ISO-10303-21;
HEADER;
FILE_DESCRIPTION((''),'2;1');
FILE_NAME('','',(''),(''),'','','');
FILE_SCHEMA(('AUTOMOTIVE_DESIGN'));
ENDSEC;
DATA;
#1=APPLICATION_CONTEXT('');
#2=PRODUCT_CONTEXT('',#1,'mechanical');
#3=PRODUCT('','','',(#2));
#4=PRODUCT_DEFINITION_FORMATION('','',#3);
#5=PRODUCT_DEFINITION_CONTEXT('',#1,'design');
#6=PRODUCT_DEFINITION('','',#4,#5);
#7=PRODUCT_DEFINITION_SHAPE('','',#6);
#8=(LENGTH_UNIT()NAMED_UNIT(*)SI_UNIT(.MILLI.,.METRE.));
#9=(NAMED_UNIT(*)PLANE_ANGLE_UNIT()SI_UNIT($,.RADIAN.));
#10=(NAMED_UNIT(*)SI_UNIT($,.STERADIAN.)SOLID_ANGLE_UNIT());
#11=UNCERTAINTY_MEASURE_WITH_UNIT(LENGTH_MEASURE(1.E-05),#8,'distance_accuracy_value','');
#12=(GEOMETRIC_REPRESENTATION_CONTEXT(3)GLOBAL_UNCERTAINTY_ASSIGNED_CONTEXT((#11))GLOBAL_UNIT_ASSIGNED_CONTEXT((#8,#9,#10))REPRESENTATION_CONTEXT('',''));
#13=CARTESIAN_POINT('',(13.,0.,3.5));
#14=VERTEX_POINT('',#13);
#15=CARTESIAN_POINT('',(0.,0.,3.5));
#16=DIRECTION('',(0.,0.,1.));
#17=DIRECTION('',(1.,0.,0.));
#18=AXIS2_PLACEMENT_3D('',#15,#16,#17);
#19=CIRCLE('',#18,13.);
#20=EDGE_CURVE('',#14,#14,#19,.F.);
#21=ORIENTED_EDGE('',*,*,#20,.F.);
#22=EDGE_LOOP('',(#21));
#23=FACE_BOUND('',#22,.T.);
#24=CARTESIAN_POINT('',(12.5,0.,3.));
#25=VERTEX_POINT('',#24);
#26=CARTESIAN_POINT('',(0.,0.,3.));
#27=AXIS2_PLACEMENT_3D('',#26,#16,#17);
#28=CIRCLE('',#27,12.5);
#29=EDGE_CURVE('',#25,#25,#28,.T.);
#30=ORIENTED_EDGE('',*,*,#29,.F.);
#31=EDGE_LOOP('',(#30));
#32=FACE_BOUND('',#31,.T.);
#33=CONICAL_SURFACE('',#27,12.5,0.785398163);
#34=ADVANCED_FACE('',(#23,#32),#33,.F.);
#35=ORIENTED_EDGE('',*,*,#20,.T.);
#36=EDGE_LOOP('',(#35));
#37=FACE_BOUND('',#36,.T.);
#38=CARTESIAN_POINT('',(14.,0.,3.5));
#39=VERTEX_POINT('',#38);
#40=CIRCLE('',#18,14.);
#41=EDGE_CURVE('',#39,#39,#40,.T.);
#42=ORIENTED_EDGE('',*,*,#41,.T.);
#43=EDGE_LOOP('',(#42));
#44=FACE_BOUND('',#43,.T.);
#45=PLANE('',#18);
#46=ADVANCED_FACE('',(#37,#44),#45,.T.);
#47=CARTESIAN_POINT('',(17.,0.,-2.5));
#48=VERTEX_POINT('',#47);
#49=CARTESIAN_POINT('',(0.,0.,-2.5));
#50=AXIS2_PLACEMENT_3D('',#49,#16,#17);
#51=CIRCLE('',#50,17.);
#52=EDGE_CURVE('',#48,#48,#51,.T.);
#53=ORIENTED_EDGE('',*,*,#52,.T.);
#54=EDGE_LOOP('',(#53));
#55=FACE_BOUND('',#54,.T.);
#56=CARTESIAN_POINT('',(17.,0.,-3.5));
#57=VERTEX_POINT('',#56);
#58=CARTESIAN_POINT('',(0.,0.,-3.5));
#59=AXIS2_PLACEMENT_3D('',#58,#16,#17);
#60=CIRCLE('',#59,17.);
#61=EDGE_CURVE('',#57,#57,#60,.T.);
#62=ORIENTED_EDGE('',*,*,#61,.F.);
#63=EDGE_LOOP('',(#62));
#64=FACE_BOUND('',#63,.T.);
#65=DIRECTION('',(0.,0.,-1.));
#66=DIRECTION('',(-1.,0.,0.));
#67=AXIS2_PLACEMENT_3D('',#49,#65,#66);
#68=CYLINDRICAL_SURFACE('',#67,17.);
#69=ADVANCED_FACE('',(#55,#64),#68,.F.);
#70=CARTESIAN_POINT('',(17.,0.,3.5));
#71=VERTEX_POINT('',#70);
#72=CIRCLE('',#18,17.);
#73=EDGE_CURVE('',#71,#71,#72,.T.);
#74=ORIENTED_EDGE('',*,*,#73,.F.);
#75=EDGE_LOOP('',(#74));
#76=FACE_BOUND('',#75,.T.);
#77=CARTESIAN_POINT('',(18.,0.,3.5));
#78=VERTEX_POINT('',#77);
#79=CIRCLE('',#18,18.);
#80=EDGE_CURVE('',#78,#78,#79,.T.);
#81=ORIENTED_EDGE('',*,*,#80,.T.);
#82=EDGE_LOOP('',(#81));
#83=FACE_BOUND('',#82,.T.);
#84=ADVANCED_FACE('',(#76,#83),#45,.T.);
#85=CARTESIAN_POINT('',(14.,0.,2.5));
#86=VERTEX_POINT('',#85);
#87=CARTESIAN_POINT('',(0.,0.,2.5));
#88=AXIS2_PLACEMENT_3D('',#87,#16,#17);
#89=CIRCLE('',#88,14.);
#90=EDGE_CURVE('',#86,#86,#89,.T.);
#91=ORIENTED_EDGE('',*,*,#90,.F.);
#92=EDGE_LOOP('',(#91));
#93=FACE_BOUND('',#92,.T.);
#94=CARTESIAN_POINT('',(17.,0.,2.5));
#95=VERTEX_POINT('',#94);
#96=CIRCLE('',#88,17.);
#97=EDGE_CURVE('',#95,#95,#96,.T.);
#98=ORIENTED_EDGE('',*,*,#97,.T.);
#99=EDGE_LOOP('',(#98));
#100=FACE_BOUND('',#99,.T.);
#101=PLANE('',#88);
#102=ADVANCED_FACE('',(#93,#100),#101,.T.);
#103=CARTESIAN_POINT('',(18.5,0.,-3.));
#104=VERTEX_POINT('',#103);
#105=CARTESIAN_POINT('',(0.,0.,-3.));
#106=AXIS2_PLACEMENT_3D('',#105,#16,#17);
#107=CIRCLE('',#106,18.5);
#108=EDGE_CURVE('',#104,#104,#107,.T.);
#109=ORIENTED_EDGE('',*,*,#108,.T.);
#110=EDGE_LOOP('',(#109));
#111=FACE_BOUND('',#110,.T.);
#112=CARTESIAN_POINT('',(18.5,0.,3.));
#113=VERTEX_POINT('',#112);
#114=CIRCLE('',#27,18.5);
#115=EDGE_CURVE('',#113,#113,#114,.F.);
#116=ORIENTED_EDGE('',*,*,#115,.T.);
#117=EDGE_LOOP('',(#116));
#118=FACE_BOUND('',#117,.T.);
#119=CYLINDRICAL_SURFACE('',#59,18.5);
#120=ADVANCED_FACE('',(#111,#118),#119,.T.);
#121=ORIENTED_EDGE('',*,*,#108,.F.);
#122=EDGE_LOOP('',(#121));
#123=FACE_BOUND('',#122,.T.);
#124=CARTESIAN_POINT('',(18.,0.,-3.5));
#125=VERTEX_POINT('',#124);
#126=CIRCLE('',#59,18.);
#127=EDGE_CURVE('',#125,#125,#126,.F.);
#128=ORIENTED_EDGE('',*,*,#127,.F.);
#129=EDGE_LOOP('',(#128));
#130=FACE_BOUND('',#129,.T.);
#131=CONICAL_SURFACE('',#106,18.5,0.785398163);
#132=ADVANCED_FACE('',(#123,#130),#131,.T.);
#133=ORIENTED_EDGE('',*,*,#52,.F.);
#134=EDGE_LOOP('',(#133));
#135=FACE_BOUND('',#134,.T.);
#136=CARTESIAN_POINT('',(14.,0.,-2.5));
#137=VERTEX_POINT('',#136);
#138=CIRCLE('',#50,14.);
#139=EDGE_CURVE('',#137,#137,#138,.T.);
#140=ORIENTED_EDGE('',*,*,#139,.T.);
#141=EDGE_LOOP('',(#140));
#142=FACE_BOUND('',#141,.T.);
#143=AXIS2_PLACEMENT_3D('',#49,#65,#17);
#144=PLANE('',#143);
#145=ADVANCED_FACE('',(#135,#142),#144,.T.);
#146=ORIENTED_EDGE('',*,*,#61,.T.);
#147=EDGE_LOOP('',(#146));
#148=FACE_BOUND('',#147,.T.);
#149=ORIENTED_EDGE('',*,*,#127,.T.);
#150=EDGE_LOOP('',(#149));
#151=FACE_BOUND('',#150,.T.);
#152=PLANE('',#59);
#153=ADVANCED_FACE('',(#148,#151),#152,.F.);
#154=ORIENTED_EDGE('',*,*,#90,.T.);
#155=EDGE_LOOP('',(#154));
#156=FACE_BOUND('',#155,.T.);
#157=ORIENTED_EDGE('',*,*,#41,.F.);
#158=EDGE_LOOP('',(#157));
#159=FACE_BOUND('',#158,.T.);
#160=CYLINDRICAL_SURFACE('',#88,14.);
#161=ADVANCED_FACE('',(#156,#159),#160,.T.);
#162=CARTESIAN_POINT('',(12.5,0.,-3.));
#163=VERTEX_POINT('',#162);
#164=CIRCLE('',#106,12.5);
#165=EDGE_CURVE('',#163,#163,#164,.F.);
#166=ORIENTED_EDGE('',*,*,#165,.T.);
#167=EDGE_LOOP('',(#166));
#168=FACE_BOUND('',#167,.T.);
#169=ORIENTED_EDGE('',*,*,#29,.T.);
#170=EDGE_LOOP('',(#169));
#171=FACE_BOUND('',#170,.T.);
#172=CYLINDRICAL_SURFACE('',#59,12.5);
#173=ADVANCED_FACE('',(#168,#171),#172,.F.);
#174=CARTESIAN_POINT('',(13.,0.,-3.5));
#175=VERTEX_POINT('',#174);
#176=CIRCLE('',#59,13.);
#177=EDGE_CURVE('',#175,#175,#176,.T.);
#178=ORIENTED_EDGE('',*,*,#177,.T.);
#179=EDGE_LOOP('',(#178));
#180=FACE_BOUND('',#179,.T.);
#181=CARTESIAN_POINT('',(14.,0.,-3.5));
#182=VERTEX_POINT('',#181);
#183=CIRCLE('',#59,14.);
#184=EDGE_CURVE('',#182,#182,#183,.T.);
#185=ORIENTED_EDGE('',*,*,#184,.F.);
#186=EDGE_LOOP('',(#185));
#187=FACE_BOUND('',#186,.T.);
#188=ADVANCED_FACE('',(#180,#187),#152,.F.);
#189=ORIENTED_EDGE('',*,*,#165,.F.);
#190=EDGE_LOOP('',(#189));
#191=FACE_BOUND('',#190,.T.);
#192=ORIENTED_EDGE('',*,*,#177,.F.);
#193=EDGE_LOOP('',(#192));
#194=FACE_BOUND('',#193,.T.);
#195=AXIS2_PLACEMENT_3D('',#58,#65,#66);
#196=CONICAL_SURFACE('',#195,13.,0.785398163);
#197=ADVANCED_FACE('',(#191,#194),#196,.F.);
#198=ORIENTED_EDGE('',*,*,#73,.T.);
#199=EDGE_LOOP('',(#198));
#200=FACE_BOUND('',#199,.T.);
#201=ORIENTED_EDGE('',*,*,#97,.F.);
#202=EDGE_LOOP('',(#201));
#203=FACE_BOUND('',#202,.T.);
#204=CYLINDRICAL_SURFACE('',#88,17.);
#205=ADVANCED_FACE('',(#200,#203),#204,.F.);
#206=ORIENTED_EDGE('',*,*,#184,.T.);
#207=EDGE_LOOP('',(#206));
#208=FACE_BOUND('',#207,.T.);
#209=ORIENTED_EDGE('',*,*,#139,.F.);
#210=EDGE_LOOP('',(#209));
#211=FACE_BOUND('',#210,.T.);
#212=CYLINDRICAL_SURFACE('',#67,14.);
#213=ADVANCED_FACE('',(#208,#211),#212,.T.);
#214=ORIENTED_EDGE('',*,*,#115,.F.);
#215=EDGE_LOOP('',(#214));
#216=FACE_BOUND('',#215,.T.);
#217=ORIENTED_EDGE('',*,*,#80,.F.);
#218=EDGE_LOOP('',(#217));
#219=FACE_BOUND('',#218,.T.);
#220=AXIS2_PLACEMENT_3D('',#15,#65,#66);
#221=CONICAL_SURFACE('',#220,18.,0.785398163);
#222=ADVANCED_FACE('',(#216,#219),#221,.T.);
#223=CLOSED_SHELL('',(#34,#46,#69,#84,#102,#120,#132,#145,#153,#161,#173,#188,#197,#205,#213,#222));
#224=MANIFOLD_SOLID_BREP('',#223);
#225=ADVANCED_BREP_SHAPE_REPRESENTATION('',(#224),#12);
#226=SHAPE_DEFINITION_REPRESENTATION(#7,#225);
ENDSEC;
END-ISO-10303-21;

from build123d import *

# Parameters (mm, degrees)
AUFSATZ_LINEAR_AUSTRAGEN1_DEPTH      = 3.5
AUFSATZ_LINEAR_AUSTRAGEN1_DEPTH_BACK = 3.5
SKIZZE1_R                            = 18.5
SKIZZE1_R_2                          = 12.5
SKIZZE2_R                            = 17
SKIZZE2_R_2                          = 14
SCHNITT_LINEAR_AUSTRAGEN1_DEPTH      = 1
FASE1_SIZE                           = 0.5


with BuildPart() as part:
    # Skizze1 → Aufsatz-Linear austragen1 (new, two sides: drawn at the far end of the back side and taken through both)
    with BuildSketch(Plane.XY.offset(-AUFSATZ_LINEAR_AUSTRAGEN1_DEPTH_BACK)):
        Circle(SKIZZE1_R)
        Circle(SKIZZE1_R_2, mode=Mode.SUBTRACT)
    extrude(amount=AUFSATZ_LINEAR_AUSTRAGEN1_DEPTH + AUFSATZ_LINEAR_AUSTRAGEN1_DEPTH_BACK)

    # Skizze2 → Schnitt-Linear austragen1 (cut)
    with BuildSketch(Plane.XY.offset(3.5)):
        Circle(SKIZZE2_R)
        Circle(SKIZZE2_R_2, mode=Mode.SUBTRACT)
    schnitt_linear_austragen1 = extrude(amount=-SCHNITT_LINEAR_AUSTRAGEN1_DEPTH, mode=Mode.SUBTRACT)

    # Spiegeln1: Schnitt-Linear austragen1 across plane
    add(schnitt_linear_austragen1.mirror(Plane.XY), mode=Mode.SUBTRACT)

    # Fase1
    fase1_edges = [part.edges().sort_by_distance(p)[0] for p in [
        (-18.5, 0, -3.5),
        (-12.5, 0, -3.5),
        (-18.5, 0, 3.5),
        (-12.5, 0, 3.5),
    ]]
    chamfer(fase1_edges, length=FASE1_SIZE)


solid = part.part
